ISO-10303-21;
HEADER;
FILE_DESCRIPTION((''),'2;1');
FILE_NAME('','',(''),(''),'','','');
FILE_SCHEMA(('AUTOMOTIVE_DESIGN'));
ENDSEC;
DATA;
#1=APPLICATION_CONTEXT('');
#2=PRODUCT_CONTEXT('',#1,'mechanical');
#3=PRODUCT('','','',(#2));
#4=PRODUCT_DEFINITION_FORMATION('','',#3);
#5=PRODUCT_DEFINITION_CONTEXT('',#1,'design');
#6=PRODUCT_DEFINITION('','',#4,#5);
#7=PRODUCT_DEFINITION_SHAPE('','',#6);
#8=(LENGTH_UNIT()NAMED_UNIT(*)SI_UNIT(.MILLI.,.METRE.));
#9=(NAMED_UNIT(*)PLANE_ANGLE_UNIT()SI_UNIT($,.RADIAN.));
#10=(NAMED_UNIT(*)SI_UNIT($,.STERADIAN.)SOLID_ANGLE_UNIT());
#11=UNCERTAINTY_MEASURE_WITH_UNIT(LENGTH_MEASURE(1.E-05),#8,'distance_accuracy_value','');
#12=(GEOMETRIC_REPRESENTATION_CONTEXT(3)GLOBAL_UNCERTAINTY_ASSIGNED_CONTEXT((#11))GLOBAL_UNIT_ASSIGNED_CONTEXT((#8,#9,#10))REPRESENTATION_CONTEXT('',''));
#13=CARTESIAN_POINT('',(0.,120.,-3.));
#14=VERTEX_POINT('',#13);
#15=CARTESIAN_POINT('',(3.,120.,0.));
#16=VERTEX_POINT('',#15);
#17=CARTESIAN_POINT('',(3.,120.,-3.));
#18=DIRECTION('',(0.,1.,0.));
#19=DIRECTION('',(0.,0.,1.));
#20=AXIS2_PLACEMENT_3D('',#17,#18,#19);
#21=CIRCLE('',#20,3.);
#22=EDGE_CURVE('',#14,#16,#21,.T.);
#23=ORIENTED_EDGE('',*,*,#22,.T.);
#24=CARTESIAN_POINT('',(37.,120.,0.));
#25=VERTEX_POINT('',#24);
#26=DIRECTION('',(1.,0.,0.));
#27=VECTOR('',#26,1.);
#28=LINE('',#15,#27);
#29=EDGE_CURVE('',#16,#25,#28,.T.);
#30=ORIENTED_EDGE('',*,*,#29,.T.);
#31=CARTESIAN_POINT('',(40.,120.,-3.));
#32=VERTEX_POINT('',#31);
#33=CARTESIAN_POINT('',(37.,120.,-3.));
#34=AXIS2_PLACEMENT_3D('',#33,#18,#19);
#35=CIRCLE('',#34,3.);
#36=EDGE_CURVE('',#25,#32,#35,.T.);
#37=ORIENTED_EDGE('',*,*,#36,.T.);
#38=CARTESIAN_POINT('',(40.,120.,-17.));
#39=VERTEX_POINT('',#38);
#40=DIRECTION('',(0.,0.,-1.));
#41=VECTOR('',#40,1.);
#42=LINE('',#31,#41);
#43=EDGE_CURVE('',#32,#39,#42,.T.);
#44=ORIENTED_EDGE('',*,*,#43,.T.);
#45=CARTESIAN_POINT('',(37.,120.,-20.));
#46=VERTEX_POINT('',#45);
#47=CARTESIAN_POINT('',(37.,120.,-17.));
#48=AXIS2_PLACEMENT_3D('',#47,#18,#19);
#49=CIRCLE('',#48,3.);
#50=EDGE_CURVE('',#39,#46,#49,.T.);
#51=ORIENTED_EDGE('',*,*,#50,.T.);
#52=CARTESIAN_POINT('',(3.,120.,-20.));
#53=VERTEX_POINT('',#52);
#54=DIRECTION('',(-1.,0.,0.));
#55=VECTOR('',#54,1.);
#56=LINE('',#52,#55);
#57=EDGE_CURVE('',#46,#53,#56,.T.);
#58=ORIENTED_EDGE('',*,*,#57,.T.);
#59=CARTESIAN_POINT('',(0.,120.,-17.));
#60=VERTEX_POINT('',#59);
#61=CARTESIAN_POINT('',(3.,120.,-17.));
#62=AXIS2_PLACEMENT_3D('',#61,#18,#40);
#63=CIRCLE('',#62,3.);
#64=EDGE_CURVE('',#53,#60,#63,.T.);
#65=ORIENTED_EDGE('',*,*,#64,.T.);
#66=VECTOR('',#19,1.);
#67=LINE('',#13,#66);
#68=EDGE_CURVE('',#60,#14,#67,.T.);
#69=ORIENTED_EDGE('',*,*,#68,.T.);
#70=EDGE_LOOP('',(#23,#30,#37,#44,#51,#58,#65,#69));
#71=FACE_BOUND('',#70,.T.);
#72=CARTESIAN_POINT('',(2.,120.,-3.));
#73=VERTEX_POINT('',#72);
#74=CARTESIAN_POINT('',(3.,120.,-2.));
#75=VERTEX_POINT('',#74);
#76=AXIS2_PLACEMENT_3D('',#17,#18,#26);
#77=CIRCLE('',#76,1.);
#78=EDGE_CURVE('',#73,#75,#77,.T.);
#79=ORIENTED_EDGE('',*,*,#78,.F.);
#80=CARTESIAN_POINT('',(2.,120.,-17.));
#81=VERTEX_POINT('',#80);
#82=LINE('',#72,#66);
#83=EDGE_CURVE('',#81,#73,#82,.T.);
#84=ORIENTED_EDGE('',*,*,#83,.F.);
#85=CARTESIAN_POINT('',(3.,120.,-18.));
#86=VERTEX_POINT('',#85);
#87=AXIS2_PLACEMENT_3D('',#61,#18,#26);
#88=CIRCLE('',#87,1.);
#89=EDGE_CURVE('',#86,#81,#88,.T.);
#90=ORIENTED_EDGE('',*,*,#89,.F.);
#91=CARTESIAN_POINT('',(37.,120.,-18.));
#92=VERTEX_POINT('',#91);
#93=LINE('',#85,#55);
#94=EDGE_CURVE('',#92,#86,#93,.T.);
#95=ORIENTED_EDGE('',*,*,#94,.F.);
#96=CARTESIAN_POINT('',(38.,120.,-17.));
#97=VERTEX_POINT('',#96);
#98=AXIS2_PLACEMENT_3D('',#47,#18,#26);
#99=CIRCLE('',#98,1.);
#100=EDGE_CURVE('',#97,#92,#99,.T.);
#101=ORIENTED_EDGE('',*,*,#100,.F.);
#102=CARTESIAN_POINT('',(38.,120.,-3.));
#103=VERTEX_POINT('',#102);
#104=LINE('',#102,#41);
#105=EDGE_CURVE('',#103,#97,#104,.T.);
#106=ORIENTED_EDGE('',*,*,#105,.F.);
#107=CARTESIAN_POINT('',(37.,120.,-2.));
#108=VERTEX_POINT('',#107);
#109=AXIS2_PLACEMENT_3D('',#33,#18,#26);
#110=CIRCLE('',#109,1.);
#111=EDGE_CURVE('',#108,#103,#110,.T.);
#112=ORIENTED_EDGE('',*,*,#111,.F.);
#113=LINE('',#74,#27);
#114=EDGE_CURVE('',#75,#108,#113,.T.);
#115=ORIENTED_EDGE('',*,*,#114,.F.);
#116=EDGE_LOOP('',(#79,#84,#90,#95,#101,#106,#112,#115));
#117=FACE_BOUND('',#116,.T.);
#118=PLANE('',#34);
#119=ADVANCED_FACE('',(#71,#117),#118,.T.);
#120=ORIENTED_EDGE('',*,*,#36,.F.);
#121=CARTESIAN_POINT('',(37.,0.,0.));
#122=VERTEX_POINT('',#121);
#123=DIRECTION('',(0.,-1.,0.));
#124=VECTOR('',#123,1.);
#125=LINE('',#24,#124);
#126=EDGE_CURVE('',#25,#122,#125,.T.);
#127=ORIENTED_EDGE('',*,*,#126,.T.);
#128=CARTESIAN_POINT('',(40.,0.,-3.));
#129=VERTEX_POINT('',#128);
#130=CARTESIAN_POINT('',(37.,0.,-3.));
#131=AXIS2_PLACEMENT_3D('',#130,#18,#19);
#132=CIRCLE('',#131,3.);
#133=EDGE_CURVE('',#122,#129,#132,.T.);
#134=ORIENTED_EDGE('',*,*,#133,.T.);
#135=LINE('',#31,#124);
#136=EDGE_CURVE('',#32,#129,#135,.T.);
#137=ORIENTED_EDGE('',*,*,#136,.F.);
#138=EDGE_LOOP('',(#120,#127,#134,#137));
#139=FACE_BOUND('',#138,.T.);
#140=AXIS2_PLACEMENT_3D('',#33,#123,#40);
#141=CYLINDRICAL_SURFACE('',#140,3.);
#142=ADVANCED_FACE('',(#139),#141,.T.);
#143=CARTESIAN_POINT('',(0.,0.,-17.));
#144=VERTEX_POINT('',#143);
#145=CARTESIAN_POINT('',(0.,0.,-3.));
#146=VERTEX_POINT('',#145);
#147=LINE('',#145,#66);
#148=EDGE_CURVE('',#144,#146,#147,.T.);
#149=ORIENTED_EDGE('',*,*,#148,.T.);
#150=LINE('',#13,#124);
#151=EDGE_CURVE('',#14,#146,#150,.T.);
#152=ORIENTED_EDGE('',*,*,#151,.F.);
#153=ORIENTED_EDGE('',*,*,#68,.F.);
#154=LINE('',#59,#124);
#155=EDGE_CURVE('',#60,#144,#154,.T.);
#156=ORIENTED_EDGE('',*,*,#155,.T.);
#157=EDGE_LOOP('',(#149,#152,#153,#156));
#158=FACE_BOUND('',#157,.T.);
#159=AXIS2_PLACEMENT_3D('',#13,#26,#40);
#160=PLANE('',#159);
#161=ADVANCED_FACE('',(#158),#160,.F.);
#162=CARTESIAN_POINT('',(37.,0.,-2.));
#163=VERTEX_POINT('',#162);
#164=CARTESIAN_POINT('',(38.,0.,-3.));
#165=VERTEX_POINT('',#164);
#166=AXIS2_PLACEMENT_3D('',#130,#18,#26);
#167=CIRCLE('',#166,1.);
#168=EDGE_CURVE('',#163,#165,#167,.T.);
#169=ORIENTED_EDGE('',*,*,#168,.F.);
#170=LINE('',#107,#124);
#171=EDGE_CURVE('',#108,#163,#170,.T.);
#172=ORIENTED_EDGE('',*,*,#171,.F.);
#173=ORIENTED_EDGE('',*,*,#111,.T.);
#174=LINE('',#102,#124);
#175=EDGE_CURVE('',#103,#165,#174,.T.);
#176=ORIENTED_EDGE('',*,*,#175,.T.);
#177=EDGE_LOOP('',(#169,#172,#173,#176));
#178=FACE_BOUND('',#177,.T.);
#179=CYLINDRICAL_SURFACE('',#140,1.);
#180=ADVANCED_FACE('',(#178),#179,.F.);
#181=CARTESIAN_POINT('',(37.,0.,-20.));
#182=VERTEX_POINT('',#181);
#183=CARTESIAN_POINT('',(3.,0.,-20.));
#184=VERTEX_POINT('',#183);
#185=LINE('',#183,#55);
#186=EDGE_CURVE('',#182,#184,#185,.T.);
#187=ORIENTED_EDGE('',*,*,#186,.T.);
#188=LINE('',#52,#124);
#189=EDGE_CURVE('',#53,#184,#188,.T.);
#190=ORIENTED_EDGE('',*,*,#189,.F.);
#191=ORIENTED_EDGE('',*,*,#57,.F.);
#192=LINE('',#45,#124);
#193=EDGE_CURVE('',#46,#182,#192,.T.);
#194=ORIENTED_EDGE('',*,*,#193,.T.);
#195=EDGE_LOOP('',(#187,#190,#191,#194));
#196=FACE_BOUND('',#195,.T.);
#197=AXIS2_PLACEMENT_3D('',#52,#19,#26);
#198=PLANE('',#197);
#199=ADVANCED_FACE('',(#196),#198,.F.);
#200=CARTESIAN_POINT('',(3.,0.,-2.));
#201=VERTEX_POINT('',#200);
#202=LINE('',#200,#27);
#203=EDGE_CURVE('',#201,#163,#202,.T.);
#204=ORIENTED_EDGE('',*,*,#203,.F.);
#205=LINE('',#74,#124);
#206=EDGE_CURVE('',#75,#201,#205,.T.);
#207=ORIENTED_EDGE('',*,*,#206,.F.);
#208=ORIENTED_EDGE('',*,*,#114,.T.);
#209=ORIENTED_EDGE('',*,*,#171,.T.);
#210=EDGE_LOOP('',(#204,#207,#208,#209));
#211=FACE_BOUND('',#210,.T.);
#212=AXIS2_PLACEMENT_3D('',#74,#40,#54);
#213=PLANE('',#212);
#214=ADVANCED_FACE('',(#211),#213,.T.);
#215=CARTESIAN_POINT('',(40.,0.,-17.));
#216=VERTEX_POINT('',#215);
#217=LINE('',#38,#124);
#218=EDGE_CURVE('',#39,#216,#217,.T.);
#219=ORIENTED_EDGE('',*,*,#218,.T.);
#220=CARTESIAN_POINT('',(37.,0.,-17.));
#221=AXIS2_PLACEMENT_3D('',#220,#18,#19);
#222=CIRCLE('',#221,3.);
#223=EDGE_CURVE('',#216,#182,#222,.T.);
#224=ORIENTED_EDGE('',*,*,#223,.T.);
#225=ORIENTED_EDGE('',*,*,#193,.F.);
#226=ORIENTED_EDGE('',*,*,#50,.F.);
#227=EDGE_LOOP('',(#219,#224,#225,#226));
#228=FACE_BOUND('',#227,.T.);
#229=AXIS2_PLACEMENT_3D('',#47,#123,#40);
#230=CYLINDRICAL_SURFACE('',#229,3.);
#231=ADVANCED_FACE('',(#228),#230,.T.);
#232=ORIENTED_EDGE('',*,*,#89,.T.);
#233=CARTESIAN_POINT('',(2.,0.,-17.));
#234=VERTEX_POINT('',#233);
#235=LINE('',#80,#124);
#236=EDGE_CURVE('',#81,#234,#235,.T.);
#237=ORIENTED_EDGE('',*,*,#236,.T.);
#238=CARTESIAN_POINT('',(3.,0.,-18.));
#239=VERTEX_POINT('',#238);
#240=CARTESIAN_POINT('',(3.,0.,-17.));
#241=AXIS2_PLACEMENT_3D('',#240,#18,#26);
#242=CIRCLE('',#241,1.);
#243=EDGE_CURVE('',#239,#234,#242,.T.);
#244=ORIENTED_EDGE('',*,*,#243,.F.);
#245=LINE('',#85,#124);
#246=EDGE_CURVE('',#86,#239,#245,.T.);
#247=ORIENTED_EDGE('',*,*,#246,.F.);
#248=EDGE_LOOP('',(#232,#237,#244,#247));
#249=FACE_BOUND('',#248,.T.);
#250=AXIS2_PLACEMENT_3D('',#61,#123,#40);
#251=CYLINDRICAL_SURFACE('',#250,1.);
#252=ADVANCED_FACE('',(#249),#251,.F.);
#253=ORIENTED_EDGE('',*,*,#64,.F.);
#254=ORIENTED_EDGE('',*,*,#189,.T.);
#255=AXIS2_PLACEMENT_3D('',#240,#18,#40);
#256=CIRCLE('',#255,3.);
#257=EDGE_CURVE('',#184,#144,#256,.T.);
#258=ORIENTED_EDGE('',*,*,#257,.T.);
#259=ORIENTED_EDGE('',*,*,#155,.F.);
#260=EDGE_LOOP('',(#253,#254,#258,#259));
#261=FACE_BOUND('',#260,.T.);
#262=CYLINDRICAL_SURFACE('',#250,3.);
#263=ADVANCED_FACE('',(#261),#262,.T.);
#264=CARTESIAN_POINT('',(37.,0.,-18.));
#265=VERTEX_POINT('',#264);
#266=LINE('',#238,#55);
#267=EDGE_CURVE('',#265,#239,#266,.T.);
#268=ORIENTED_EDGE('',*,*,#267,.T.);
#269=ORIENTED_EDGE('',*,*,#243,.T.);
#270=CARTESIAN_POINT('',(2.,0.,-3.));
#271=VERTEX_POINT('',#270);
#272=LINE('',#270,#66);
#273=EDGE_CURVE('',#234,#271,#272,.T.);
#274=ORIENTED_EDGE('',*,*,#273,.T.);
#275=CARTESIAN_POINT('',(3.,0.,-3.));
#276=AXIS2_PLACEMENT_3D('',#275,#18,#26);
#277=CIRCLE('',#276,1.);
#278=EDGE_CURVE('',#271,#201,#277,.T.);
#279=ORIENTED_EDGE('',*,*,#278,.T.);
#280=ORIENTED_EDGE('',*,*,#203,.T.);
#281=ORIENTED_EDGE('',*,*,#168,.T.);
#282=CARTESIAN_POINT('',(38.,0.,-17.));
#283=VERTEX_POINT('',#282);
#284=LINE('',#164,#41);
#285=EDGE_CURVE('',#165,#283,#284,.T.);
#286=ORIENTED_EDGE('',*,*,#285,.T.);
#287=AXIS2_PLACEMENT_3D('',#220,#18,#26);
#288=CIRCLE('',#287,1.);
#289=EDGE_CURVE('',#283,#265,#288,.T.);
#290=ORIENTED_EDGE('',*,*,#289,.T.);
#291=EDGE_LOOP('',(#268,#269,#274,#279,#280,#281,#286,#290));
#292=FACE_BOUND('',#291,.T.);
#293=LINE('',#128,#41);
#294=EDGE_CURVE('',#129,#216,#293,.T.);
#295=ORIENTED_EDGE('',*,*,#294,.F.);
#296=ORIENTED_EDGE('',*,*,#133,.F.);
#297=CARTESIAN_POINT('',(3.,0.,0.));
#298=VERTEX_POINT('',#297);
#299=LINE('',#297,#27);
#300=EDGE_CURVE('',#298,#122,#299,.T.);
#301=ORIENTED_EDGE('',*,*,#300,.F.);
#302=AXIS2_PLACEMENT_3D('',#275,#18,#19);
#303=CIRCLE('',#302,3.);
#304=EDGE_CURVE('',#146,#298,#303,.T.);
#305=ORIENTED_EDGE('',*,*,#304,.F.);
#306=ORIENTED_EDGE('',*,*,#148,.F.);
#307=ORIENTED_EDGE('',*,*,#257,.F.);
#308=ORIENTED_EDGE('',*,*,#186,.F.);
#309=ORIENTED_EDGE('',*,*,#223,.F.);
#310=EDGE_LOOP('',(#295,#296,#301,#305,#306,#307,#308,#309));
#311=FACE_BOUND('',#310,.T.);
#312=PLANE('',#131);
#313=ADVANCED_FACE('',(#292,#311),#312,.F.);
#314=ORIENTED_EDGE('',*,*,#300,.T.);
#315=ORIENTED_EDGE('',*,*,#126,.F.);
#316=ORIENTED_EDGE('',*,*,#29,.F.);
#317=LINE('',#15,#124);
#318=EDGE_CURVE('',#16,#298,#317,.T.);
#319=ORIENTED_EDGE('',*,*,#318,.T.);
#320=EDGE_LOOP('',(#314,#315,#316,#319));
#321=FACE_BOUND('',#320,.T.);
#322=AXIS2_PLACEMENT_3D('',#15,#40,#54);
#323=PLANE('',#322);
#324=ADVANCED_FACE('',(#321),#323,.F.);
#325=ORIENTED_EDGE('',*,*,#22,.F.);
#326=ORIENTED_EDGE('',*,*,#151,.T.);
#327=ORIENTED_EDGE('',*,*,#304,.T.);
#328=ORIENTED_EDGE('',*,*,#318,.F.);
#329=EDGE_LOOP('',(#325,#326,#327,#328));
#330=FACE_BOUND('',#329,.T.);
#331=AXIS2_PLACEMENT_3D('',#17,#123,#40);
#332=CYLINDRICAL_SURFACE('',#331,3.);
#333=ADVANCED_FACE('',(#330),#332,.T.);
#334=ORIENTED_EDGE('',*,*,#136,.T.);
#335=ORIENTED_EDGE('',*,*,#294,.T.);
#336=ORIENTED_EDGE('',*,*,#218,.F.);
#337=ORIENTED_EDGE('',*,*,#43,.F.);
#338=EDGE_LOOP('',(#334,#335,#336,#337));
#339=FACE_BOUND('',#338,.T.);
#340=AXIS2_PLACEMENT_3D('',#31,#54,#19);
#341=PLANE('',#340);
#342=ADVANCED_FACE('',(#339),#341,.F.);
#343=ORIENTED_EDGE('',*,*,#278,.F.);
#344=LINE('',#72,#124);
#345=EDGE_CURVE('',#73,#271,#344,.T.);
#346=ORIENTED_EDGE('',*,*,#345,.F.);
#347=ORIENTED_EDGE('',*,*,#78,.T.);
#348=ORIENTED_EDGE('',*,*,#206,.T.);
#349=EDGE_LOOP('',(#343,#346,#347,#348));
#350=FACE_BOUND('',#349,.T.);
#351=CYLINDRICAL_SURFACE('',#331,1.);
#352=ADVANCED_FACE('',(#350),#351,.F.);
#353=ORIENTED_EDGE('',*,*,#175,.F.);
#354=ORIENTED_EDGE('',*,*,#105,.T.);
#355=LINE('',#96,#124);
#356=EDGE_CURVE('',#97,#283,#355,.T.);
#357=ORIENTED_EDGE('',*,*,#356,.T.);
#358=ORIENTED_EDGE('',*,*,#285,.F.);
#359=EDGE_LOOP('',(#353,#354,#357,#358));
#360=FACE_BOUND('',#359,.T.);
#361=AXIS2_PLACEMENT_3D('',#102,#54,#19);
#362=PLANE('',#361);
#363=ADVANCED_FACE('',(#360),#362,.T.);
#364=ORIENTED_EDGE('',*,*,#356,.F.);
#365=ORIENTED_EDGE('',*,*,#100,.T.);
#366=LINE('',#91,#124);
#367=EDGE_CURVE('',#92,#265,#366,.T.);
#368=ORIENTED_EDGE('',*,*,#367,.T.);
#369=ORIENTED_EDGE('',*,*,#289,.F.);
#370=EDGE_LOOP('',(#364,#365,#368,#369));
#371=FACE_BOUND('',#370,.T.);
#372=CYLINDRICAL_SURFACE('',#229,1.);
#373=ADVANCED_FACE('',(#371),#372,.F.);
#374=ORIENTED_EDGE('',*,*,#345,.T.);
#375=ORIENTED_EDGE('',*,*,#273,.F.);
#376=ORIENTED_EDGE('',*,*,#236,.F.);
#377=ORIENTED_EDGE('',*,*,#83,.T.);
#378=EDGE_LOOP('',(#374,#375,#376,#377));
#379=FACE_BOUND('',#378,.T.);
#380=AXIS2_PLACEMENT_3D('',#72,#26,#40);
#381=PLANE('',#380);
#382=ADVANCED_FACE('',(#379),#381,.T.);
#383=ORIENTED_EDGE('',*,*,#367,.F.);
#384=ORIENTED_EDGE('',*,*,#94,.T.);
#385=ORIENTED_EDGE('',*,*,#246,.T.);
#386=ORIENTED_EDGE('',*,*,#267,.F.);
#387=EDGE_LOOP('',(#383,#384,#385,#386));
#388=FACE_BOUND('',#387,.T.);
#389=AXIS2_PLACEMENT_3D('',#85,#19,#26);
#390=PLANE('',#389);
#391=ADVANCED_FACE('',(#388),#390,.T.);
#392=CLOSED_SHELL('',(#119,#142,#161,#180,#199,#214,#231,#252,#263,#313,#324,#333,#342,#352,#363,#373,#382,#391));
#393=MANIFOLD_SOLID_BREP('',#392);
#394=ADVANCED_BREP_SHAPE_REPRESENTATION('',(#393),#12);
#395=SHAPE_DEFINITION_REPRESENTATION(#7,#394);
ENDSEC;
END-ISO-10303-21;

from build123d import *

# Parameters (mm, degrees)
EXTRUDE_1_DEPTH = 120


with BuildPart() as part:
    # Эскиз1 → Вытянуть-Тонкостенный1 (new body)
    with BuildSketch(Plane(origin=(0, 0, 0), x_dir=(1, 0, 0), z_dir=(0, 1, 0))):
        with BuildLine():
            Line((3, 0), (37, 0))
            ThreePointArc((37, 0), (39.121320344, 0.878679656), (40, 3))
            Line((40, 3), (40, 17))
            ThreePointArc((40, 17), (39.121320344, 19.121320344), (37, 20))
            Line((37, 20), (3, 20))
            ThreePointArc((3, 20), (0.878679656, 19.121320344), (0, 17))
            Line((0, 17), (0, 3))
            ThreePointArc((0, 3), (0.878679656, 0.878679656), (3, 0))
        make_face()
        with BuildLine():
            Line((3, 2), (37, 2))
            ThreePointArc((37, 2), (37.707106781, 2.292893219), (38, 3))
            Line((38, 3), (38, 17))
            ThreePointArc((38, 17), (37.707106781, 17.707106781), (37, 18))
            Line((37, 18), (3, 18))
            ThreePointArc((3, 18), (2.292893219, 17.707106781), (2, 17))
            Line((2, 17), (2, 3))
            ThreePointArc((2, 3), (2.292893219, 2.292893219), (3, 2))
        make_face(mode=Mode.SUBTRACT)
    extrude(amount=EXTRUDE_1_DEPTH)


solid = part.part
